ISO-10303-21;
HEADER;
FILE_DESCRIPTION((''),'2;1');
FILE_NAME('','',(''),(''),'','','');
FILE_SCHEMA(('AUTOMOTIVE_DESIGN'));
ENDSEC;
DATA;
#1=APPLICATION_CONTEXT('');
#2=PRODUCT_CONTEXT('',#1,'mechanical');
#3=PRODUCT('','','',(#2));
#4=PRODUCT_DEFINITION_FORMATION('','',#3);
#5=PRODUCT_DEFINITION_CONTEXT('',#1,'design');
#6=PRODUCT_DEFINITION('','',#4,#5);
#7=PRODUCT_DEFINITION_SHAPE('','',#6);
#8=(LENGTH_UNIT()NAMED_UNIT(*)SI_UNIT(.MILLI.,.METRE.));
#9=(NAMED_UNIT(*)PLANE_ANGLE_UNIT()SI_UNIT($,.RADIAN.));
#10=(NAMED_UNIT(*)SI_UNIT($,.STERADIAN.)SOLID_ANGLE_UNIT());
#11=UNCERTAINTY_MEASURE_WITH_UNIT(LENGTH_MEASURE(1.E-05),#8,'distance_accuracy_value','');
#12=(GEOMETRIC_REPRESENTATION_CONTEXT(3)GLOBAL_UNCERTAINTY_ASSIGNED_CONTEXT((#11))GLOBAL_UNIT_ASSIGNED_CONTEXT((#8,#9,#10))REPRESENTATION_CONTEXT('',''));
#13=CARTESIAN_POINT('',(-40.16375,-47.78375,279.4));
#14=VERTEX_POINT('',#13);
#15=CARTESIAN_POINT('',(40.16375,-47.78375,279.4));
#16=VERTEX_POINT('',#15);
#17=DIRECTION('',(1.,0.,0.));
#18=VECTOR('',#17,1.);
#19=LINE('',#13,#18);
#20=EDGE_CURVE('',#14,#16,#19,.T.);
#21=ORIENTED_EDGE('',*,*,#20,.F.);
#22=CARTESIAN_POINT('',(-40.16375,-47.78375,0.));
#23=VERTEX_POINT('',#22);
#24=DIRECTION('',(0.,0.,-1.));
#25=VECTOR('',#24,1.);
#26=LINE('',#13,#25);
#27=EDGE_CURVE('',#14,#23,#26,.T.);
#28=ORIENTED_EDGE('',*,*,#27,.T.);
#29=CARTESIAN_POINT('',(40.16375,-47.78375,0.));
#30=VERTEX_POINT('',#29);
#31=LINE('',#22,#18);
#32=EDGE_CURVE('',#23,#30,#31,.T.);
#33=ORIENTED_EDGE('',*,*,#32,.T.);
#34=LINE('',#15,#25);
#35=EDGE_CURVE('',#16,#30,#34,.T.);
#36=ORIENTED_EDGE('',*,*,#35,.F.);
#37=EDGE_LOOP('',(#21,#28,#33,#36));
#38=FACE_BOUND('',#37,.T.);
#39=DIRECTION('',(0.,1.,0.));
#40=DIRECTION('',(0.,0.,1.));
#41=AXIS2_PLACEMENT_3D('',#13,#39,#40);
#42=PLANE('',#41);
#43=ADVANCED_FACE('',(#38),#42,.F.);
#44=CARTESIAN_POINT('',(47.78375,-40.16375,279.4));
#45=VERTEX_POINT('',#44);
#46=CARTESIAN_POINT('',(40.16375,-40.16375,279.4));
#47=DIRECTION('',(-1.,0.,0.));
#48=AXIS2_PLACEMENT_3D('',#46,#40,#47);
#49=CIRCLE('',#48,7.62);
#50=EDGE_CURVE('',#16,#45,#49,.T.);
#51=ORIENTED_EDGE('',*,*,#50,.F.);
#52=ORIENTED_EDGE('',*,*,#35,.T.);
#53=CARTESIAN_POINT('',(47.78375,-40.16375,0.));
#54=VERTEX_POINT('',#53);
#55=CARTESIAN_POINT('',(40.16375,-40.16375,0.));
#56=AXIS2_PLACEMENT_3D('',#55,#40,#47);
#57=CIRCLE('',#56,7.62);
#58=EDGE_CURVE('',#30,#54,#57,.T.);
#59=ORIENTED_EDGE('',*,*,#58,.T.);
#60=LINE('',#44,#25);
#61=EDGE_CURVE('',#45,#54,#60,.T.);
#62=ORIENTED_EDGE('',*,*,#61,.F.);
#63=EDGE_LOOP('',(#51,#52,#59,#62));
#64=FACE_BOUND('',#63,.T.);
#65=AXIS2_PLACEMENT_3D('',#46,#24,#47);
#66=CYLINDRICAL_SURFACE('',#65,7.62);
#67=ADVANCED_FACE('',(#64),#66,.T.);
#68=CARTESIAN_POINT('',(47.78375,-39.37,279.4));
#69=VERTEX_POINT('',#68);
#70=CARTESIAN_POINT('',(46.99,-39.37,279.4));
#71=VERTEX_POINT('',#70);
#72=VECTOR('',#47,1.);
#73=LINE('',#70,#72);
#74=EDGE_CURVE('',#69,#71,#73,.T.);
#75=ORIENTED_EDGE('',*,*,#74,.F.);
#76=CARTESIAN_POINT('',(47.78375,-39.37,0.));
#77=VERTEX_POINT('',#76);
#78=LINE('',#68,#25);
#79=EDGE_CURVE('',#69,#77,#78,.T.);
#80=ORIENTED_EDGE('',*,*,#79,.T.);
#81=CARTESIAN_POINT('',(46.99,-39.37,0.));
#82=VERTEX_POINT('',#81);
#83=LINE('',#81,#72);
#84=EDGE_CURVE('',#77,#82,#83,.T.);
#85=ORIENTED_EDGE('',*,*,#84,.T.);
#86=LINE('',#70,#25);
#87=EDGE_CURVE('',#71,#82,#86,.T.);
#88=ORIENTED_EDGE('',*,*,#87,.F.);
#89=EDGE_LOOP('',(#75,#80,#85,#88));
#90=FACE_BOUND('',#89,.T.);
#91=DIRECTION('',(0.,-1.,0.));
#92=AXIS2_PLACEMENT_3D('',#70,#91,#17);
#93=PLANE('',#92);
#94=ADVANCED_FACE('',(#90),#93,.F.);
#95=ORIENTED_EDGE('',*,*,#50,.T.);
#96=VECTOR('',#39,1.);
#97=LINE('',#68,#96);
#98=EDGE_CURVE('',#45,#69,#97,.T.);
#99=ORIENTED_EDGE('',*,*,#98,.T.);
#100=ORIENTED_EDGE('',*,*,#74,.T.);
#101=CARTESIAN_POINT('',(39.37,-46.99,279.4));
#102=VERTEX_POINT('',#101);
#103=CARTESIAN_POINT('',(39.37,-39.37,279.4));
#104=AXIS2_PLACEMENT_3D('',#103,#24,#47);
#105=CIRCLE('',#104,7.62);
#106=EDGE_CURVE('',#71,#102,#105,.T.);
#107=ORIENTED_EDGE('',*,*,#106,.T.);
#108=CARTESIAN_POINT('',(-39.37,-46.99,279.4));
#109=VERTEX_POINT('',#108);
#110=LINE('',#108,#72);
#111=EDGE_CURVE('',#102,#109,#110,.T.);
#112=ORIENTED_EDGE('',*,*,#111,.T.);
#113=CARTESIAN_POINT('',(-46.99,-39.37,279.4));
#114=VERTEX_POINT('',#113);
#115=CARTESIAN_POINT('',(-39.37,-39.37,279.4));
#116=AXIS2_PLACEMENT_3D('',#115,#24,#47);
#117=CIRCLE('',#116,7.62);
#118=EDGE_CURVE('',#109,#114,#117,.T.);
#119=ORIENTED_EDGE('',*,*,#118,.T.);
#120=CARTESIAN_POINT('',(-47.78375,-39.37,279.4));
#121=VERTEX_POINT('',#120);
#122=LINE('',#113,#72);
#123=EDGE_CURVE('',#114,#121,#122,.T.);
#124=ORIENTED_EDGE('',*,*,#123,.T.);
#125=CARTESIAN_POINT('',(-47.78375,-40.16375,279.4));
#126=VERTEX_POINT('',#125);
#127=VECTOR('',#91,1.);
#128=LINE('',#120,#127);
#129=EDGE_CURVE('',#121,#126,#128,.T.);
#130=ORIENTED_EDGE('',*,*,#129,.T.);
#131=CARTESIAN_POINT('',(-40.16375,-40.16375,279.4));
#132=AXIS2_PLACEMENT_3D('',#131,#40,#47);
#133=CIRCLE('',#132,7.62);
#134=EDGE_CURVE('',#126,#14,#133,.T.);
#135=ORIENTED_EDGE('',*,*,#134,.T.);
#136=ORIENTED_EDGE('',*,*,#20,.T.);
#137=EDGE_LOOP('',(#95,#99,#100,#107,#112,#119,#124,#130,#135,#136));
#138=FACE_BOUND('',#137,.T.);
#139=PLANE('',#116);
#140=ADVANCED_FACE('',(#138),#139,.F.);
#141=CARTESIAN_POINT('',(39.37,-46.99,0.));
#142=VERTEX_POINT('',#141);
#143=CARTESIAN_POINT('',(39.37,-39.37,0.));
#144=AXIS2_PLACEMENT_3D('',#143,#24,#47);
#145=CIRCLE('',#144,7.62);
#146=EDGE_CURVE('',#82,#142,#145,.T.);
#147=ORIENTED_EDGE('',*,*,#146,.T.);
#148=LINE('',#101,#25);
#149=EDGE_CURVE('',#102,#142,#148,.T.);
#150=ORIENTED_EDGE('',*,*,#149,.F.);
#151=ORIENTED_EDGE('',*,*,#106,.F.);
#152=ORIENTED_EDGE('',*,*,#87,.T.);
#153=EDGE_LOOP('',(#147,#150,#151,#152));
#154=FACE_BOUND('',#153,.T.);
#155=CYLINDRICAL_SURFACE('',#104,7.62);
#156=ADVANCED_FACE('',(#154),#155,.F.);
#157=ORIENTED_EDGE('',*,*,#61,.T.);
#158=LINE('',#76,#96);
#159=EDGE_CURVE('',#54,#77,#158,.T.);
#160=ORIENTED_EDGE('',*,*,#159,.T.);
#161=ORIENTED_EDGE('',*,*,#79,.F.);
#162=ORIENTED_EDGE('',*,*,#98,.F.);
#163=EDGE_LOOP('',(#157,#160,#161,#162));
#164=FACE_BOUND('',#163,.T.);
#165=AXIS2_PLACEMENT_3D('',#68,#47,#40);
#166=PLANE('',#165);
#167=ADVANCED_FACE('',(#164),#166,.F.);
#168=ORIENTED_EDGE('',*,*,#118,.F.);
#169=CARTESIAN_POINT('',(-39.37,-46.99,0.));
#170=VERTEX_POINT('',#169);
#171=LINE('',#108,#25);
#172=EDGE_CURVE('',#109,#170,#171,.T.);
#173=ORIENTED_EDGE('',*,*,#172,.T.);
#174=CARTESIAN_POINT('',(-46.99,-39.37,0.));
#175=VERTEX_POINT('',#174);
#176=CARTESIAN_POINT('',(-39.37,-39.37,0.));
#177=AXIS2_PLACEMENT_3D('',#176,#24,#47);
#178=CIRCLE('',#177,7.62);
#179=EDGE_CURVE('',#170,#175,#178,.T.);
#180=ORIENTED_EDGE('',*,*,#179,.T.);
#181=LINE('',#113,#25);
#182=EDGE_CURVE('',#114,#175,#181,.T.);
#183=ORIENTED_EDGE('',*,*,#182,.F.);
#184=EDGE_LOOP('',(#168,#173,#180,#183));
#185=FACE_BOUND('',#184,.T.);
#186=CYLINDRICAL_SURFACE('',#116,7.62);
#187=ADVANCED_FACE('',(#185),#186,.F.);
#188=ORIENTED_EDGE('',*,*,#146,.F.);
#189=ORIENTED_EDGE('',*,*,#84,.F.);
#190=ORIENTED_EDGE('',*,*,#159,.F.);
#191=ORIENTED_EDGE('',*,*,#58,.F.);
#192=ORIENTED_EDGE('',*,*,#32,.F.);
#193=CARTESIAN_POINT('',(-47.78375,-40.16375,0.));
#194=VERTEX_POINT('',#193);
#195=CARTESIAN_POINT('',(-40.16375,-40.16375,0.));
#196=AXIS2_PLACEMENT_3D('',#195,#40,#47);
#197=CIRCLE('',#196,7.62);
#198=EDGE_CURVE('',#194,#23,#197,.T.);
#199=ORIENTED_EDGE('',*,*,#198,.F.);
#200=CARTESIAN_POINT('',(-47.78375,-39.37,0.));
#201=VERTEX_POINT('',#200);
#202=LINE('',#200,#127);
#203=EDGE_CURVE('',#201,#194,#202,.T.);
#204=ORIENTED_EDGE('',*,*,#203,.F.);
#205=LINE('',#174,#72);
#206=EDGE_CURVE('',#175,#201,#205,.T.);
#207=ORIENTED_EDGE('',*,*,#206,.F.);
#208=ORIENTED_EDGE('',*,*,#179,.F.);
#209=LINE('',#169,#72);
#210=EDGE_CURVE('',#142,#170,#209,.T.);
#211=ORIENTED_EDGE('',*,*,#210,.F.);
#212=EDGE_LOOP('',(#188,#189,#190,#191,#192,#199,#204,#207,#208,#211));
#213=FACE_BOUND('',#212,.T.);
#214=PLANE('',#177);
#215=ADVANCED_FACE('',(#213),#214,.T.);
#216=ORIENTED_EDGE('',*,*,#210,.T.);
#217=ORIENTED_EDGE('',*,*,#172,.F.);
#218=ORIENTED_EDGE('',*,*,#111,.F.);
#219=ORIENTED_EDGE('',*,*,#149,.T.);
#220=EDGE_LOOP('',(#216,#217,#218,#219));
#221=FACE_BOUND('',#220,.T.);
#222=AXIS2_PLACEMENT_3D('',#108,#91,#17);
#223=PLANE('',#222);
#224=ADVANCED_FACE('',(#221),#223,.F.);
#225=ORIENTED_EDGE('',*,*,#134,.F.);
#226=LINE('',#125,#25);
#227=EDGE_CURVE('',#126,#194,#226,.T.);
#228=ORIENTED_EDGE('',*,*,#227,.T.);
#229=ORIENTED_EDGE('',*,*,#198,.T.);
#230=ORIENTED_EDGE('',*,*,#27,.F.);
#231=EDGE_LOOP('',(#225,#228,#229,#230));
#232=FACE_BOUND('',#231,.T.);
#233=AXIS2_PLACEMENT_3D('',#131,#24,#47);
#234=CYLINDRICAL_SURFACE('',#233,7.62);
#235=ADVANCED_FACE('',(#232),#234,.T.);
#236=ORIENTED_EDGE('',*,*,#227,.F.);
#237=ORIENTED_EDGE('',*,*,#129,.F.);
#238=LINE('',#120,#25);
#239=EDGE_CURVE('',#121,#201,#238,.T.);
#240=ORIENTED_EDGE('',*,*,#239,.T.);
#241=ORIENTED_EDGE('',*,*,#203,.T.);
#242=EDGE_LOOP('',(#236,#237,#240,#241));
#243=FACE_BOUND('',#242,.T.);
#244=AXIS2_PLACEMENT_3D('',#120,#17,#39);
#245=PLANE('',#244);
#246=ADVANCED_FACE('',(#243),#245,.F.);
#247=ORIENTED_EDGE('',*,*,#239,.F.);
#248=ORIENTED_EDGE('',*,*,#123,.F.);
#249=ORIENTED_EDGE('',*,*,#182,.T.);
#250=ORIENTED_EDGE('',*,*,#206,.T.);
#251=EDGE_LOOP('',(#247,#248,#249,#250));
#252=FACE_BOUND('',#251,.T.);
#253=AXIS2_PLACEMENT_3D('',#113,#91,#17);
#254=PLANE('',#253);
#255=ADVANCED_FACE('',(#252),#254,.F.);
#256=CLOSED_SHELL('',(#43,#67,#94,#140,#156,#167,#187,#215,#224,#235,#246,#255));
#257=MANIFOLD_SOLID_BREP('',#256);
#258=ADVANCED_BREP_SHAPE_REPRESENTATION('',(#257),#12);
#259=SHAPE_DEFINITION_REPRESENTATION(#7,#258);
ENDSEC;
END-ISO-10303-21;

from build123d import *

# Parameters (mm, degrees)
BOSS_EXTRUDE1_DEPTH = 279.4


with BuildPart() as part:
    # Sketch1 → Boss-Extrude1 (new body)
    with BuildSketch(Plane.XY):
        with BuildLine():
            Line((46.99, -39.37), (47.78375, -39.37))
            Line((47.78375, -39.37), (47.78375, -40.16375))
            ThreePointArc((47.78375, -40.16375), (45.551903673, -45.551903673), (40.16375, -47.78375))
            Line((40.16375, -47.78375), (-40.16375, -47.78375))
            ThreePointArc((-40.16375, -47.78375), (-45.551903673, -45.551903673), (-47.78375, -40.16375))
            Line((-47.78375, -40.16375), (-47.78375, -39.37))
            Line((-47.78375, -39.37), (-46.99, -39.37))
            ThreePointArc((-46.99, -39.37), (-44.758153673, -44.758153673), (-39.37, -46.99))
            Line((-39.37, -46.99), (39.37, -46.99))
            ThreePointArc((39.37, -46.99), (44.758153673, -44.758153673), (46.99, -39.37))
        make_face()
    extrude(amount=BOSS_EXTRUDE1_DEPTH)


solid = part.part
